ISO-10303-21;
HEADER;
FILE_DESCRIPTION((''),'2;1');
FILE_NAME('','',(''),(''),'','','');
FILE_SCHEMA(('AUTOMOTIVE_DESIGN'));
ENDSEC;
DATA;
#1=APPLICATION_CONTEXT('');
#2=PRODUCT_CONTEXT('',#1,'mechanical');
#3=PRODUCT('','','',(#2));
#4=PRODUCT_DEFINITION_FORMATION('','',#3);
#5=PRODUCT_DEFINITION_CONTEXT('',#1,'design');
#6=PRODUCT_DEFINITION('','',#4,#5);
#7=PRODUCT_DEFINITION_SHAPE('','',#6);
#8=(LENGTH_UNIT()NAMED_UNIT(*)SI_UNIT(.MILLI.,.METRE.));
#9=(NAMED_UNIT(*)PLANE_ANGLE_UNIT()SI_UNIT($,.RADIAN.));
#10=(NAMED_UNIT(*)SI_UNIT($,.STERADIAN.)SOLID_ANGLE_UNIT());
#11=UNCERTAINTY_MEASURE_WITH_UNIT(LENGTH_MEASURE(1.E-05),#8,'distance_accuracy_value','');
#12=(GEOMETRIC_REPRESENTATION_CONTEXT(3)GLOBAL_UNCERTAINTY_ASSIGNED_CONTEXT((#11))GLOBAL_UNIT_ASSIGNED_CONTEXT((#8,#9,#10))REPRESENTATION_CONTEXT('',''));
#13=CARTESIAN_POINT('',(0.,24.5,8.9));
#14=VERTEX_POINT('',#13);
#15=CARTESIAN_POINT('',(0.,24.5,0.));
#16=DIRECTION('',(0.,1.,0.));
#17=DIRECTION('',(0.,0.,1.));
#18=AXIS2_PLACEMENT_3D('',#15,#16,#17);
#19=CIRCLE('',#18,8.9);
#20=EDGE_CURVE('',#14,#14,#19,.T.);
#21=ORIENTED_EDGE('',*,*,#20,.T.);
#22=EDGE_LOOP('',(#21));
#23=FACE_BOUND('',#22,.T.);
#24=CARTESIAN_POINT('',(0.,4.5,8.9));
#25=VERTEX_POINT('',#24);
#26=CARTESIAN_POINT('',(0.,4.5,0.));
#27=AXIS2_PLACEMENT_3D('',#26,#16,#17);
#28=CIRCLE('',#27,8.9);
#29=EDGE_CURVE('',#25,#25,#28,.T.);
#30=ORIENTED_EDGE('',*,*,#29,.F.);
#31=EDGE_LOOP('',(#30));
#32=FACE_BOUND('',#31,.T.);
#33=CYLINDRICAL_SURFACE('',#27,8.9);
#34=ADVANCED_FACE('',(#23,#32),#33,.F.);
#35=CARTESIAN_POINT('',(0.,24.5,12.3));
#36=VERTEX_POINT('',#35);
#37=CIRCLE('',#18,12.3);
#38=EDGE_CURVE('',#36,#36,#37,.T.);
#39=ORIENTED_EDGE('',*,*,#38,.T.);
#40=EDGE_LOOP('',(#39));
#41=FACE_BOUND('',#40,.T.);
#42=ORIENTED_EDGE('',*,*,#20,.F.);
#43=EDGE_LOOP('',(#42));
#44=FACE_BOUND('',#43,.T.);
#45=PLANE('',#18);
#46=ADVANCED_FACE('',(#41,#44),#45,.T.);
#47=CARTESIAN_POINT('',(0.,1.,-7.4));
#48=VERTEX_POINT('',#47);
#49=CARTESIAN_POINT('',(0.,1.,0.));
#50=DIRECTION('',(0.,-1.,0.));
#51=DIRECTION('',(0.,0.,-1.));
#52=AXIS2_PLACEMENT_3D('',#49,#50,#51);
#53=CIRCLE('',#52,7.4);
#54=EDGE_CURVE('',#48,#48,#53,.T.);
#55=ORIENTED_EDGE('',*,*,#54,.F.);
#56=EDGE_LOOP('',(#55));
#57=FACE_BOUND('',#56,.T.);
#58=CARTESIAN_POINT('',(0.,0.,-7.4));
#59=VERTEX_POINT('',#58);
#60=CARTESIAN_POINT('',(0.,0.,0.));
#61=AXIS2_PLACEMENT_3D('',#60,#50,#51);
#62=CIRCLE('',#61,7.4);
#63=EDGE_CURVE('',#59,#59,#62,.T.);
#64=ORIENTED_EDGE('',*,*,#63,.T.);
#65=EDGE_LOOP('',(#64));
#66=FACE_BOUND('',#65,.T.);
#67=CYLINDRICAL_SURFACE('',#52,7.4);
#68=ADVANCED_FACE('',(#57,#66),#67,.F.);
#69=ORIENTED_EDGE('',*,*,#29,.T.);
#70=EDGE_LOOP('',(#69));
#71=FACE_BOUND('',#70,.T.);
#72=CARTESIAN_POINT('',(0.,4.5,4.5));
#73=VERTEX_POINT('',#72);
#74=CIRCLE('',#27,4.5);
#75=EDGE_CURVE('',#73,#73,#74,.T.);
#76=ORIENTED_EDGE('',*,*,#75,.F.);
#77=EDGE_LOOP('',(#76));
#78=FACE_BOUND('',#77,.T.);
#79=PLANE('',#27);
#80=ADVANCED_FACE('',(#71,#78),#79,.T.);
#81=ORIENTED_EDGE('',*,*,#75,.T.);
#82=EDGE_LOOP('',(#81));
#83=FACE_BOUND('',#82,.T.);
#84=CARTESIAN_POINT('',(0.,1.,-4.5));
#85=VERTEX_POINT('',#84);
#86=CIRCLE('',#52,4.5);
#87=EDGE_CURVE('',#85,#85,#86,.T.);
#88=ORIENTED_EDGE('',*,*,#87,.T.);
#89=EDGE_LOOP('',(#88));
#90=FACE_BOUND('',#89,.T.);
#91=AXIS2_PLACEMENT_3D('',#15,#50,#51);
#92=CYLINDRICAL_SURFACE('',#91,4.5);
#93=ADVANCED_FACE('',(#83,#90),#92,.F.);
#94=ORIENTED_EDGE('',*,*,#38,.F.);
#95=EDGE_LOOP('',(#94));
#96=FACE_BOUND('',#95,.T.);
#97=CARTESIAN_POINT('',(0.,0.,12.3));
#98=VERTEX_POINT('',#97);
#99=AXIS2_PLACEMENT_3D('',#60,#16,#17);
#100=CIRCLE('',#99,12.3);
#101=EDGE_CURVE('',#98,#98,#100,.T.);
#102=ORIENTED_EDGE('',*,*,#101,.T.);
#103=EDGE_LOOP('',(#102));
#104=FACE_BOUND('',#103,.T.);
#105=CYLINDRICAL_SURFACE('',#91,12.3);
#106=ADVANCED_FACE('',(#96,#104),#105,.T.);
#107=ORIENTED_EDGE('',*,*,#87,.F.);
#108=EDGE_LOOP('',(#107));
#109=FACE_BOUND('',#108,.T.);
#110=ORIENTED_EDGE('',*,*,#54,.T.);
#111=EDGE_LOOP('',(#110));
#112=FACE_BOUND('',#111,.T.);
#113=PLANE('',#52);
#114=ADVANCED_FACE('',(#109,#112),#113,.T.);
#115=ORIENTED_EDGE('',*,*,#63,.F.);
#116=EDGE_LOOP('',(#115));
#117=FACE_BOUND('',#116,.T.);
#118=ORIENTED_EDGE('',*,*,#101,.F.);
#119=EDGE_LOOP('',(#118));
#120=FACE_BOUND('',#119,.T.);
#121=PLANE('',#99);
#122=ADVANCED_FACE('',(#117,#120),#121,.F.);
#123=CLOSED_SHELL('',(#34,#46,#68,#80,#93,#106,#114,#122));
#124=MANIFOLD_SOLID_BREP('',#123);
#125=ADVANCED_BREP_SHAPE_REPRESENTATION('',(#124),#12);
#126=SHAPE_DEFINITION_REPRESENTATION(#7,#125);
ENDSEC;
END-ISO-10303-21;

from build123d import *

# Parameters (mm, degrees)
SKETCH1_R           = 12.3
BOSS_EXTRUDE1_DEPTH = 24.5
SKETCH2_R           = 8.9
CUT_EXTRUDE1_DEPTH  = 20
SKETCH3_R           = 7.4
CUT_EXTRUDE2_DEPTH  = 1
SKETCH4_R           = 4.5
CUT_EXTRUDE3_DEPTH  = 30.237475951


with BuildPart() as part:
    # Sketch1 → Boss-Extrude1 (new body)
    with BuildSketch(Plane(origin=(0, 0, 0), x_dir=(1, 0, 0), z_dir=(0, 1, 0))):
        with Locations(Location((0, 0, 0), (0, 0, 270))):
            Circle(SKETCH1_R)
    extrude(amount=BOSS_EXTRUDE1_DEPTH)

    # Sketch2 → Cut-Extrude1 (cut)
    with BuildSketch(Plane(origin=(0, 24.5, 0), x_dir=(1, 0, 0), z_dir=(0, 1, 0))):
        with Locations(Location((0, 0, 0), (0, 0, 270))):
            Circle(SKETCH2_R)
    extrude(amount=-CUT_EXTRUDE1_DEPTH, mode=Mode.SUBTRACT)

    # Sketch3 → Cut-Extrude2 (cut)
    with BuildSketch(Plane.XZ):
        with Locations(Location((0, 0, 0), (0, 0, 270))):
            Circle(SKETCH3_R)
    extrude(amount=-CUT_EXTRUDE2_DEPTH, mode=Mode.SUBTRACT)

    # Sketch4 → Cut-Extrude3 (cut, through all)
    with BuildSketch(Plane.XZ.offset(-1)):
        with Locations(Location((0, 0, 0), (0, 0, 270))):
            Circle(SKETCH4_R)
    extrude(amount=-CUT_EXTRUDE3_DEPTH, mode=Mode.SUBTRACT)


solid = part.part
